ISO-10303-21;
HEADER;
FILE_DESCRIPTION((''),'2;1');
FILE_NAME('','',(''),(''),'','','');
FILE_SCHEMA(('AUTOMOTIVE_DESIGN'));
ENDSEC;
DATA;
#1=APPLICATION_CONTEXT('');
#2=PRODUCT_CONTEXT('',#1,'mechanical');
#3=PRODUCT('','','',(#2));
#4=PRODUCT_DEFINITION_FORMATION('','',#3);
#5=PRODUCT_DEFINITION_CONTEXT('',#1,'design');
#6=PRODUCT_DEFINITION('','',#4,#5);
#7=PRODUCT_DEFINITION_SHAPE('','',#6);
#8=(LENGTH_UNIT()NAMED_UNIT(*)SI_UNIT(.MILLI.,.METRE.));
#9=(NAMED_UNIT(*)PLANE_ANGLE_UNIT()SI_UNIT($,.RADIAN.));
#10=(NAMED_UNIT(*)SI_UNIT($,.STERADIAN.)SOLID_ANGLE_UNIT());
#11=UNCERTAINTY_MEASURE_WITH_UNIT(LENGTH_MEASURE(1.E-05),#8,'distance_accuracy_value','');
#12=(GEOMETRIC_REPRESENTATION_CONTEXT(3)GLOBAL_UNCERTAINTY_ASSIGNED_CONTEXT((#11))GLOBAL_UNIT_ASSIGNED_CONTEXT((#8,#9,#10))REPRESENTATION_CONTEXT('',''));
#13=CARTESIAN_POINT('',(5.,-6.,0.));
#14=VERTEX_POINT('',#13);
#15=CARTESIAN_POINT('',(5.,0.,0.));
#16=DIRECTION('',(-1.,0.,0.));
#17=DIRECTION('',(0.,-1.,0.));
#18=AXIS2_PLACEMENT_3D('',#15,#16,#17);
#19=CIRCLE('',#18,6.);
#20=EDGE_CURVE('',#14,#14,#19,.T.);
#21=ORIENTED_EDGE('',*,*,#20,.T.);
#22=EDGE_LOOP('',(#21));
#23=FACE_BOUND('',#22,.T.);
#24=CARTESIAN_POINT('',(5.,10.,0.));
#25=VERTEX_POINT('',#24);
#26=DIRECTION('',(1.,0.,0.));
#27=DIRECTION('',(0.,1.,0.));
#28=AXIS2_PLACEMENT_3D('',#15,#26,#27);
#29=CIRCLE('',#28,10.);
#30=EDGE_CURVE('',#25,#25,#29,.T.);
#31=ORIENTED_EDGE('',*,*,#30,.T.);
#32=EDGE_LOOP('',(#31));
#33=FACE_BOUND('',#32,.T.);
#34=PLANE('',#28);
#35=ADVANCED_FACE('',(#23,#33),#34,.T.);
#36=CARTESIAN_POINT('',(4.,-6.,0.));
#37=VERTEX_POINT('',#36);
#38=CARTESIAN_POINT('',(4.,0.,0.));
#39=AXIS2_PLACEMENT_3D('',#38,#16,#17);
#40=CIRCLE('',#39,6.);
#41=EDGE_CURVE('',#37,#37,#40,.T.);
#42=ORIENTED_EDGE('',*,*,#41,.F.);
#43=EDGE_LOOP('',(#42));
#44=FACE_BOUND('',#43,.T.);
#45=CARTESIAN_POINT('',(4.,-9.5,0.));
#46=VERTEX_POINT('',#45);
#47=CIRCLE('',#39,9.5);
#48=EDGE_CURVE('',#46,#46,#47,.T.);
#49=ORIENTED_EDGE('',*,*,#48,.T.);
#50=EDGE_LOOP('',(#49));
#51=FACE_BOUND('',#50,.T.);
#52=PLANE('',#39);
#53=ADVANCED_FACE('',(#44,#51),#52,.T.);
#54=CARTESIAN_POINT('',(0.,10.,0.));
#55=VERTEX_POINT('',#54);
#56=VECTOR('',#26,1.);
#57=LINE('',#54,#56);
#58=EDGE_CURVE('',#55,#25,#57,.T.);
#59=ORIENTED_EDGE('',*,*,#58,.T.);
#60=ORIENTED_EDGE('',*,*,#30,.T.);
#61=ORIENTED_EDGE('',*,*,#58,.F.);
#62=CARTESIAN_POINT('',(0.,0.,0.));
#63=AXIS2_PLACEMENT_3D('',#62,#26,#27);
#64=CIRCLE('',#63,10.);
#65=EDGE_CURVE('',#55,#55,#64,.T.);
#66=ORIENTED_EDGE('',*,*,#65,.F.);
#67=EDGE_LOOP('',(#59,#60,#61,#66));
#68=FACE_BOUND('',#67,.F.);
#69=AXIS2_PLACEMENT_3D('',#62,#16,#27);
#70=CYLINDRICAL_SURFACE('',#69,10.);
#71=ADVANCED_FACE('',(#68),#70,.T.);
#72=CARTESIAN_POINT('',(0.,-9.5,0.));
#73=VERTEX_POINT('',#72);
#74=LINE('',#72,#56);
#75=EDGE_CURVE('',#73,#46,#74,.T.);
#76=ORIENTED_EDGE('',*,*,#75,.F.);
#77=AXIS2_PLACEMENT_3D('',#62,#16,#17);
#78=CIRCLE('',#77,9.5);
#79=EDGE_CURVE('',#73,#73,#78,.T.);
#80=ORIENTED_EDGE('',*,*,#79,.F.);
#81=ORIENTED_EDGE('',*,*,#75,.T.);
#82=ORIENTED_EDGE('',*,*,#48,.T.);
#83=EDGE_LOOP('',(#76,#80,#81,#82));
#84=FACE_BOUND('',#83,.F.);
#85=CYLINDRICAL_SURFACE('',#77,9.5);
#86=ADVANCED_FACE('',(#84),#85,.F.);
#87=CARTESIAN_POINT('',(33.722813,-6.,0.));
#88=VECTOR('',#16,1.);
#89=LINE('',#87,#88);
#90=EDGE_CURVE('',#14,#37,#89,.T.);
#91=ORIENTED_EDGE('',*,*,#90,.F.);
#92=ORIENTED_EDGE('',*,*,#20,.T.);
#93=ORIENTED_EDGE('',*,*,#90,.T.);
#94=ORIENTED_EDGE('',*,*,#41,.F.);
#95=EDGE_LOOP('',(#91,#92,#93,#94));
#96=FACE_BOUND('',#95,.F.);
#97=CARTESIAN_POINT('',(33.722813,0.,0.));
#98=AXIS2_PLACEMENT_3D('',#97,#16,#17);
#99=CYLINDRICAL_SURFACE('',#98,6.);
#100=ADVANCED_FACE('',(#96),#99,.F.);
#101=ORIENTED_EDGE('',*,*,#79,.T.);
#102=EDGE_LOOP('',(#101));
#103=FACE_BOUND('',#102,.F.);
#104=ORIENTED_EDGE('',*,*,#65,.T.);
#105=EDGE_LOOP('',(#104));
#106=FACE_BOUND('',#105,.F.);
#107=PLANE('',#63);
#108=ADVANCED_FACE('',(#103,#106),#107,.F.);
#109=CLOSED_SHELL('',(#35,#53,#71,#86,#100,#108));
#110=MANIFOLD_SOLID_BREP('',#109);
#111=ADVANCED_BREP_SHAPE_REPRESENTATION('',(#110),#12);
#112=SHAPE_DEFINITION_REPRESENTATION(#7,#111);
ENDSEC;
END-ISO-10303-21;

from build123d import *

# Parameters (mm, degrees)
F0_R     = 10
F1_DEPTH = 5
F2_R     = 9.5
F3_DEPTH = 4
F5_D     = 12


with BuildPart() as f1:
    # F0 (on Right) → F1 (new body)
    with BuildSketch(Plane.YZ):
        Circle(F0_R)
    extrude(amount=F1_DEPTH)

    # F2 (on face) → F3 (cut)
    with BuildSketch(Plane(origin=(0, 0, 0), x_dir=(0, -1, 0), z_dir=(-1, 0, 0))):
        Circle(F2_R)
    extrude(amount=-F3_DEPTH, mode=Mode.SUBTRACT)

    # F5 (through all)
    with Locations(Plane.YZ.offset(5)):
        with Locations((0, 0)):
            Hole(F5_D / 2)


solid = f1.part
